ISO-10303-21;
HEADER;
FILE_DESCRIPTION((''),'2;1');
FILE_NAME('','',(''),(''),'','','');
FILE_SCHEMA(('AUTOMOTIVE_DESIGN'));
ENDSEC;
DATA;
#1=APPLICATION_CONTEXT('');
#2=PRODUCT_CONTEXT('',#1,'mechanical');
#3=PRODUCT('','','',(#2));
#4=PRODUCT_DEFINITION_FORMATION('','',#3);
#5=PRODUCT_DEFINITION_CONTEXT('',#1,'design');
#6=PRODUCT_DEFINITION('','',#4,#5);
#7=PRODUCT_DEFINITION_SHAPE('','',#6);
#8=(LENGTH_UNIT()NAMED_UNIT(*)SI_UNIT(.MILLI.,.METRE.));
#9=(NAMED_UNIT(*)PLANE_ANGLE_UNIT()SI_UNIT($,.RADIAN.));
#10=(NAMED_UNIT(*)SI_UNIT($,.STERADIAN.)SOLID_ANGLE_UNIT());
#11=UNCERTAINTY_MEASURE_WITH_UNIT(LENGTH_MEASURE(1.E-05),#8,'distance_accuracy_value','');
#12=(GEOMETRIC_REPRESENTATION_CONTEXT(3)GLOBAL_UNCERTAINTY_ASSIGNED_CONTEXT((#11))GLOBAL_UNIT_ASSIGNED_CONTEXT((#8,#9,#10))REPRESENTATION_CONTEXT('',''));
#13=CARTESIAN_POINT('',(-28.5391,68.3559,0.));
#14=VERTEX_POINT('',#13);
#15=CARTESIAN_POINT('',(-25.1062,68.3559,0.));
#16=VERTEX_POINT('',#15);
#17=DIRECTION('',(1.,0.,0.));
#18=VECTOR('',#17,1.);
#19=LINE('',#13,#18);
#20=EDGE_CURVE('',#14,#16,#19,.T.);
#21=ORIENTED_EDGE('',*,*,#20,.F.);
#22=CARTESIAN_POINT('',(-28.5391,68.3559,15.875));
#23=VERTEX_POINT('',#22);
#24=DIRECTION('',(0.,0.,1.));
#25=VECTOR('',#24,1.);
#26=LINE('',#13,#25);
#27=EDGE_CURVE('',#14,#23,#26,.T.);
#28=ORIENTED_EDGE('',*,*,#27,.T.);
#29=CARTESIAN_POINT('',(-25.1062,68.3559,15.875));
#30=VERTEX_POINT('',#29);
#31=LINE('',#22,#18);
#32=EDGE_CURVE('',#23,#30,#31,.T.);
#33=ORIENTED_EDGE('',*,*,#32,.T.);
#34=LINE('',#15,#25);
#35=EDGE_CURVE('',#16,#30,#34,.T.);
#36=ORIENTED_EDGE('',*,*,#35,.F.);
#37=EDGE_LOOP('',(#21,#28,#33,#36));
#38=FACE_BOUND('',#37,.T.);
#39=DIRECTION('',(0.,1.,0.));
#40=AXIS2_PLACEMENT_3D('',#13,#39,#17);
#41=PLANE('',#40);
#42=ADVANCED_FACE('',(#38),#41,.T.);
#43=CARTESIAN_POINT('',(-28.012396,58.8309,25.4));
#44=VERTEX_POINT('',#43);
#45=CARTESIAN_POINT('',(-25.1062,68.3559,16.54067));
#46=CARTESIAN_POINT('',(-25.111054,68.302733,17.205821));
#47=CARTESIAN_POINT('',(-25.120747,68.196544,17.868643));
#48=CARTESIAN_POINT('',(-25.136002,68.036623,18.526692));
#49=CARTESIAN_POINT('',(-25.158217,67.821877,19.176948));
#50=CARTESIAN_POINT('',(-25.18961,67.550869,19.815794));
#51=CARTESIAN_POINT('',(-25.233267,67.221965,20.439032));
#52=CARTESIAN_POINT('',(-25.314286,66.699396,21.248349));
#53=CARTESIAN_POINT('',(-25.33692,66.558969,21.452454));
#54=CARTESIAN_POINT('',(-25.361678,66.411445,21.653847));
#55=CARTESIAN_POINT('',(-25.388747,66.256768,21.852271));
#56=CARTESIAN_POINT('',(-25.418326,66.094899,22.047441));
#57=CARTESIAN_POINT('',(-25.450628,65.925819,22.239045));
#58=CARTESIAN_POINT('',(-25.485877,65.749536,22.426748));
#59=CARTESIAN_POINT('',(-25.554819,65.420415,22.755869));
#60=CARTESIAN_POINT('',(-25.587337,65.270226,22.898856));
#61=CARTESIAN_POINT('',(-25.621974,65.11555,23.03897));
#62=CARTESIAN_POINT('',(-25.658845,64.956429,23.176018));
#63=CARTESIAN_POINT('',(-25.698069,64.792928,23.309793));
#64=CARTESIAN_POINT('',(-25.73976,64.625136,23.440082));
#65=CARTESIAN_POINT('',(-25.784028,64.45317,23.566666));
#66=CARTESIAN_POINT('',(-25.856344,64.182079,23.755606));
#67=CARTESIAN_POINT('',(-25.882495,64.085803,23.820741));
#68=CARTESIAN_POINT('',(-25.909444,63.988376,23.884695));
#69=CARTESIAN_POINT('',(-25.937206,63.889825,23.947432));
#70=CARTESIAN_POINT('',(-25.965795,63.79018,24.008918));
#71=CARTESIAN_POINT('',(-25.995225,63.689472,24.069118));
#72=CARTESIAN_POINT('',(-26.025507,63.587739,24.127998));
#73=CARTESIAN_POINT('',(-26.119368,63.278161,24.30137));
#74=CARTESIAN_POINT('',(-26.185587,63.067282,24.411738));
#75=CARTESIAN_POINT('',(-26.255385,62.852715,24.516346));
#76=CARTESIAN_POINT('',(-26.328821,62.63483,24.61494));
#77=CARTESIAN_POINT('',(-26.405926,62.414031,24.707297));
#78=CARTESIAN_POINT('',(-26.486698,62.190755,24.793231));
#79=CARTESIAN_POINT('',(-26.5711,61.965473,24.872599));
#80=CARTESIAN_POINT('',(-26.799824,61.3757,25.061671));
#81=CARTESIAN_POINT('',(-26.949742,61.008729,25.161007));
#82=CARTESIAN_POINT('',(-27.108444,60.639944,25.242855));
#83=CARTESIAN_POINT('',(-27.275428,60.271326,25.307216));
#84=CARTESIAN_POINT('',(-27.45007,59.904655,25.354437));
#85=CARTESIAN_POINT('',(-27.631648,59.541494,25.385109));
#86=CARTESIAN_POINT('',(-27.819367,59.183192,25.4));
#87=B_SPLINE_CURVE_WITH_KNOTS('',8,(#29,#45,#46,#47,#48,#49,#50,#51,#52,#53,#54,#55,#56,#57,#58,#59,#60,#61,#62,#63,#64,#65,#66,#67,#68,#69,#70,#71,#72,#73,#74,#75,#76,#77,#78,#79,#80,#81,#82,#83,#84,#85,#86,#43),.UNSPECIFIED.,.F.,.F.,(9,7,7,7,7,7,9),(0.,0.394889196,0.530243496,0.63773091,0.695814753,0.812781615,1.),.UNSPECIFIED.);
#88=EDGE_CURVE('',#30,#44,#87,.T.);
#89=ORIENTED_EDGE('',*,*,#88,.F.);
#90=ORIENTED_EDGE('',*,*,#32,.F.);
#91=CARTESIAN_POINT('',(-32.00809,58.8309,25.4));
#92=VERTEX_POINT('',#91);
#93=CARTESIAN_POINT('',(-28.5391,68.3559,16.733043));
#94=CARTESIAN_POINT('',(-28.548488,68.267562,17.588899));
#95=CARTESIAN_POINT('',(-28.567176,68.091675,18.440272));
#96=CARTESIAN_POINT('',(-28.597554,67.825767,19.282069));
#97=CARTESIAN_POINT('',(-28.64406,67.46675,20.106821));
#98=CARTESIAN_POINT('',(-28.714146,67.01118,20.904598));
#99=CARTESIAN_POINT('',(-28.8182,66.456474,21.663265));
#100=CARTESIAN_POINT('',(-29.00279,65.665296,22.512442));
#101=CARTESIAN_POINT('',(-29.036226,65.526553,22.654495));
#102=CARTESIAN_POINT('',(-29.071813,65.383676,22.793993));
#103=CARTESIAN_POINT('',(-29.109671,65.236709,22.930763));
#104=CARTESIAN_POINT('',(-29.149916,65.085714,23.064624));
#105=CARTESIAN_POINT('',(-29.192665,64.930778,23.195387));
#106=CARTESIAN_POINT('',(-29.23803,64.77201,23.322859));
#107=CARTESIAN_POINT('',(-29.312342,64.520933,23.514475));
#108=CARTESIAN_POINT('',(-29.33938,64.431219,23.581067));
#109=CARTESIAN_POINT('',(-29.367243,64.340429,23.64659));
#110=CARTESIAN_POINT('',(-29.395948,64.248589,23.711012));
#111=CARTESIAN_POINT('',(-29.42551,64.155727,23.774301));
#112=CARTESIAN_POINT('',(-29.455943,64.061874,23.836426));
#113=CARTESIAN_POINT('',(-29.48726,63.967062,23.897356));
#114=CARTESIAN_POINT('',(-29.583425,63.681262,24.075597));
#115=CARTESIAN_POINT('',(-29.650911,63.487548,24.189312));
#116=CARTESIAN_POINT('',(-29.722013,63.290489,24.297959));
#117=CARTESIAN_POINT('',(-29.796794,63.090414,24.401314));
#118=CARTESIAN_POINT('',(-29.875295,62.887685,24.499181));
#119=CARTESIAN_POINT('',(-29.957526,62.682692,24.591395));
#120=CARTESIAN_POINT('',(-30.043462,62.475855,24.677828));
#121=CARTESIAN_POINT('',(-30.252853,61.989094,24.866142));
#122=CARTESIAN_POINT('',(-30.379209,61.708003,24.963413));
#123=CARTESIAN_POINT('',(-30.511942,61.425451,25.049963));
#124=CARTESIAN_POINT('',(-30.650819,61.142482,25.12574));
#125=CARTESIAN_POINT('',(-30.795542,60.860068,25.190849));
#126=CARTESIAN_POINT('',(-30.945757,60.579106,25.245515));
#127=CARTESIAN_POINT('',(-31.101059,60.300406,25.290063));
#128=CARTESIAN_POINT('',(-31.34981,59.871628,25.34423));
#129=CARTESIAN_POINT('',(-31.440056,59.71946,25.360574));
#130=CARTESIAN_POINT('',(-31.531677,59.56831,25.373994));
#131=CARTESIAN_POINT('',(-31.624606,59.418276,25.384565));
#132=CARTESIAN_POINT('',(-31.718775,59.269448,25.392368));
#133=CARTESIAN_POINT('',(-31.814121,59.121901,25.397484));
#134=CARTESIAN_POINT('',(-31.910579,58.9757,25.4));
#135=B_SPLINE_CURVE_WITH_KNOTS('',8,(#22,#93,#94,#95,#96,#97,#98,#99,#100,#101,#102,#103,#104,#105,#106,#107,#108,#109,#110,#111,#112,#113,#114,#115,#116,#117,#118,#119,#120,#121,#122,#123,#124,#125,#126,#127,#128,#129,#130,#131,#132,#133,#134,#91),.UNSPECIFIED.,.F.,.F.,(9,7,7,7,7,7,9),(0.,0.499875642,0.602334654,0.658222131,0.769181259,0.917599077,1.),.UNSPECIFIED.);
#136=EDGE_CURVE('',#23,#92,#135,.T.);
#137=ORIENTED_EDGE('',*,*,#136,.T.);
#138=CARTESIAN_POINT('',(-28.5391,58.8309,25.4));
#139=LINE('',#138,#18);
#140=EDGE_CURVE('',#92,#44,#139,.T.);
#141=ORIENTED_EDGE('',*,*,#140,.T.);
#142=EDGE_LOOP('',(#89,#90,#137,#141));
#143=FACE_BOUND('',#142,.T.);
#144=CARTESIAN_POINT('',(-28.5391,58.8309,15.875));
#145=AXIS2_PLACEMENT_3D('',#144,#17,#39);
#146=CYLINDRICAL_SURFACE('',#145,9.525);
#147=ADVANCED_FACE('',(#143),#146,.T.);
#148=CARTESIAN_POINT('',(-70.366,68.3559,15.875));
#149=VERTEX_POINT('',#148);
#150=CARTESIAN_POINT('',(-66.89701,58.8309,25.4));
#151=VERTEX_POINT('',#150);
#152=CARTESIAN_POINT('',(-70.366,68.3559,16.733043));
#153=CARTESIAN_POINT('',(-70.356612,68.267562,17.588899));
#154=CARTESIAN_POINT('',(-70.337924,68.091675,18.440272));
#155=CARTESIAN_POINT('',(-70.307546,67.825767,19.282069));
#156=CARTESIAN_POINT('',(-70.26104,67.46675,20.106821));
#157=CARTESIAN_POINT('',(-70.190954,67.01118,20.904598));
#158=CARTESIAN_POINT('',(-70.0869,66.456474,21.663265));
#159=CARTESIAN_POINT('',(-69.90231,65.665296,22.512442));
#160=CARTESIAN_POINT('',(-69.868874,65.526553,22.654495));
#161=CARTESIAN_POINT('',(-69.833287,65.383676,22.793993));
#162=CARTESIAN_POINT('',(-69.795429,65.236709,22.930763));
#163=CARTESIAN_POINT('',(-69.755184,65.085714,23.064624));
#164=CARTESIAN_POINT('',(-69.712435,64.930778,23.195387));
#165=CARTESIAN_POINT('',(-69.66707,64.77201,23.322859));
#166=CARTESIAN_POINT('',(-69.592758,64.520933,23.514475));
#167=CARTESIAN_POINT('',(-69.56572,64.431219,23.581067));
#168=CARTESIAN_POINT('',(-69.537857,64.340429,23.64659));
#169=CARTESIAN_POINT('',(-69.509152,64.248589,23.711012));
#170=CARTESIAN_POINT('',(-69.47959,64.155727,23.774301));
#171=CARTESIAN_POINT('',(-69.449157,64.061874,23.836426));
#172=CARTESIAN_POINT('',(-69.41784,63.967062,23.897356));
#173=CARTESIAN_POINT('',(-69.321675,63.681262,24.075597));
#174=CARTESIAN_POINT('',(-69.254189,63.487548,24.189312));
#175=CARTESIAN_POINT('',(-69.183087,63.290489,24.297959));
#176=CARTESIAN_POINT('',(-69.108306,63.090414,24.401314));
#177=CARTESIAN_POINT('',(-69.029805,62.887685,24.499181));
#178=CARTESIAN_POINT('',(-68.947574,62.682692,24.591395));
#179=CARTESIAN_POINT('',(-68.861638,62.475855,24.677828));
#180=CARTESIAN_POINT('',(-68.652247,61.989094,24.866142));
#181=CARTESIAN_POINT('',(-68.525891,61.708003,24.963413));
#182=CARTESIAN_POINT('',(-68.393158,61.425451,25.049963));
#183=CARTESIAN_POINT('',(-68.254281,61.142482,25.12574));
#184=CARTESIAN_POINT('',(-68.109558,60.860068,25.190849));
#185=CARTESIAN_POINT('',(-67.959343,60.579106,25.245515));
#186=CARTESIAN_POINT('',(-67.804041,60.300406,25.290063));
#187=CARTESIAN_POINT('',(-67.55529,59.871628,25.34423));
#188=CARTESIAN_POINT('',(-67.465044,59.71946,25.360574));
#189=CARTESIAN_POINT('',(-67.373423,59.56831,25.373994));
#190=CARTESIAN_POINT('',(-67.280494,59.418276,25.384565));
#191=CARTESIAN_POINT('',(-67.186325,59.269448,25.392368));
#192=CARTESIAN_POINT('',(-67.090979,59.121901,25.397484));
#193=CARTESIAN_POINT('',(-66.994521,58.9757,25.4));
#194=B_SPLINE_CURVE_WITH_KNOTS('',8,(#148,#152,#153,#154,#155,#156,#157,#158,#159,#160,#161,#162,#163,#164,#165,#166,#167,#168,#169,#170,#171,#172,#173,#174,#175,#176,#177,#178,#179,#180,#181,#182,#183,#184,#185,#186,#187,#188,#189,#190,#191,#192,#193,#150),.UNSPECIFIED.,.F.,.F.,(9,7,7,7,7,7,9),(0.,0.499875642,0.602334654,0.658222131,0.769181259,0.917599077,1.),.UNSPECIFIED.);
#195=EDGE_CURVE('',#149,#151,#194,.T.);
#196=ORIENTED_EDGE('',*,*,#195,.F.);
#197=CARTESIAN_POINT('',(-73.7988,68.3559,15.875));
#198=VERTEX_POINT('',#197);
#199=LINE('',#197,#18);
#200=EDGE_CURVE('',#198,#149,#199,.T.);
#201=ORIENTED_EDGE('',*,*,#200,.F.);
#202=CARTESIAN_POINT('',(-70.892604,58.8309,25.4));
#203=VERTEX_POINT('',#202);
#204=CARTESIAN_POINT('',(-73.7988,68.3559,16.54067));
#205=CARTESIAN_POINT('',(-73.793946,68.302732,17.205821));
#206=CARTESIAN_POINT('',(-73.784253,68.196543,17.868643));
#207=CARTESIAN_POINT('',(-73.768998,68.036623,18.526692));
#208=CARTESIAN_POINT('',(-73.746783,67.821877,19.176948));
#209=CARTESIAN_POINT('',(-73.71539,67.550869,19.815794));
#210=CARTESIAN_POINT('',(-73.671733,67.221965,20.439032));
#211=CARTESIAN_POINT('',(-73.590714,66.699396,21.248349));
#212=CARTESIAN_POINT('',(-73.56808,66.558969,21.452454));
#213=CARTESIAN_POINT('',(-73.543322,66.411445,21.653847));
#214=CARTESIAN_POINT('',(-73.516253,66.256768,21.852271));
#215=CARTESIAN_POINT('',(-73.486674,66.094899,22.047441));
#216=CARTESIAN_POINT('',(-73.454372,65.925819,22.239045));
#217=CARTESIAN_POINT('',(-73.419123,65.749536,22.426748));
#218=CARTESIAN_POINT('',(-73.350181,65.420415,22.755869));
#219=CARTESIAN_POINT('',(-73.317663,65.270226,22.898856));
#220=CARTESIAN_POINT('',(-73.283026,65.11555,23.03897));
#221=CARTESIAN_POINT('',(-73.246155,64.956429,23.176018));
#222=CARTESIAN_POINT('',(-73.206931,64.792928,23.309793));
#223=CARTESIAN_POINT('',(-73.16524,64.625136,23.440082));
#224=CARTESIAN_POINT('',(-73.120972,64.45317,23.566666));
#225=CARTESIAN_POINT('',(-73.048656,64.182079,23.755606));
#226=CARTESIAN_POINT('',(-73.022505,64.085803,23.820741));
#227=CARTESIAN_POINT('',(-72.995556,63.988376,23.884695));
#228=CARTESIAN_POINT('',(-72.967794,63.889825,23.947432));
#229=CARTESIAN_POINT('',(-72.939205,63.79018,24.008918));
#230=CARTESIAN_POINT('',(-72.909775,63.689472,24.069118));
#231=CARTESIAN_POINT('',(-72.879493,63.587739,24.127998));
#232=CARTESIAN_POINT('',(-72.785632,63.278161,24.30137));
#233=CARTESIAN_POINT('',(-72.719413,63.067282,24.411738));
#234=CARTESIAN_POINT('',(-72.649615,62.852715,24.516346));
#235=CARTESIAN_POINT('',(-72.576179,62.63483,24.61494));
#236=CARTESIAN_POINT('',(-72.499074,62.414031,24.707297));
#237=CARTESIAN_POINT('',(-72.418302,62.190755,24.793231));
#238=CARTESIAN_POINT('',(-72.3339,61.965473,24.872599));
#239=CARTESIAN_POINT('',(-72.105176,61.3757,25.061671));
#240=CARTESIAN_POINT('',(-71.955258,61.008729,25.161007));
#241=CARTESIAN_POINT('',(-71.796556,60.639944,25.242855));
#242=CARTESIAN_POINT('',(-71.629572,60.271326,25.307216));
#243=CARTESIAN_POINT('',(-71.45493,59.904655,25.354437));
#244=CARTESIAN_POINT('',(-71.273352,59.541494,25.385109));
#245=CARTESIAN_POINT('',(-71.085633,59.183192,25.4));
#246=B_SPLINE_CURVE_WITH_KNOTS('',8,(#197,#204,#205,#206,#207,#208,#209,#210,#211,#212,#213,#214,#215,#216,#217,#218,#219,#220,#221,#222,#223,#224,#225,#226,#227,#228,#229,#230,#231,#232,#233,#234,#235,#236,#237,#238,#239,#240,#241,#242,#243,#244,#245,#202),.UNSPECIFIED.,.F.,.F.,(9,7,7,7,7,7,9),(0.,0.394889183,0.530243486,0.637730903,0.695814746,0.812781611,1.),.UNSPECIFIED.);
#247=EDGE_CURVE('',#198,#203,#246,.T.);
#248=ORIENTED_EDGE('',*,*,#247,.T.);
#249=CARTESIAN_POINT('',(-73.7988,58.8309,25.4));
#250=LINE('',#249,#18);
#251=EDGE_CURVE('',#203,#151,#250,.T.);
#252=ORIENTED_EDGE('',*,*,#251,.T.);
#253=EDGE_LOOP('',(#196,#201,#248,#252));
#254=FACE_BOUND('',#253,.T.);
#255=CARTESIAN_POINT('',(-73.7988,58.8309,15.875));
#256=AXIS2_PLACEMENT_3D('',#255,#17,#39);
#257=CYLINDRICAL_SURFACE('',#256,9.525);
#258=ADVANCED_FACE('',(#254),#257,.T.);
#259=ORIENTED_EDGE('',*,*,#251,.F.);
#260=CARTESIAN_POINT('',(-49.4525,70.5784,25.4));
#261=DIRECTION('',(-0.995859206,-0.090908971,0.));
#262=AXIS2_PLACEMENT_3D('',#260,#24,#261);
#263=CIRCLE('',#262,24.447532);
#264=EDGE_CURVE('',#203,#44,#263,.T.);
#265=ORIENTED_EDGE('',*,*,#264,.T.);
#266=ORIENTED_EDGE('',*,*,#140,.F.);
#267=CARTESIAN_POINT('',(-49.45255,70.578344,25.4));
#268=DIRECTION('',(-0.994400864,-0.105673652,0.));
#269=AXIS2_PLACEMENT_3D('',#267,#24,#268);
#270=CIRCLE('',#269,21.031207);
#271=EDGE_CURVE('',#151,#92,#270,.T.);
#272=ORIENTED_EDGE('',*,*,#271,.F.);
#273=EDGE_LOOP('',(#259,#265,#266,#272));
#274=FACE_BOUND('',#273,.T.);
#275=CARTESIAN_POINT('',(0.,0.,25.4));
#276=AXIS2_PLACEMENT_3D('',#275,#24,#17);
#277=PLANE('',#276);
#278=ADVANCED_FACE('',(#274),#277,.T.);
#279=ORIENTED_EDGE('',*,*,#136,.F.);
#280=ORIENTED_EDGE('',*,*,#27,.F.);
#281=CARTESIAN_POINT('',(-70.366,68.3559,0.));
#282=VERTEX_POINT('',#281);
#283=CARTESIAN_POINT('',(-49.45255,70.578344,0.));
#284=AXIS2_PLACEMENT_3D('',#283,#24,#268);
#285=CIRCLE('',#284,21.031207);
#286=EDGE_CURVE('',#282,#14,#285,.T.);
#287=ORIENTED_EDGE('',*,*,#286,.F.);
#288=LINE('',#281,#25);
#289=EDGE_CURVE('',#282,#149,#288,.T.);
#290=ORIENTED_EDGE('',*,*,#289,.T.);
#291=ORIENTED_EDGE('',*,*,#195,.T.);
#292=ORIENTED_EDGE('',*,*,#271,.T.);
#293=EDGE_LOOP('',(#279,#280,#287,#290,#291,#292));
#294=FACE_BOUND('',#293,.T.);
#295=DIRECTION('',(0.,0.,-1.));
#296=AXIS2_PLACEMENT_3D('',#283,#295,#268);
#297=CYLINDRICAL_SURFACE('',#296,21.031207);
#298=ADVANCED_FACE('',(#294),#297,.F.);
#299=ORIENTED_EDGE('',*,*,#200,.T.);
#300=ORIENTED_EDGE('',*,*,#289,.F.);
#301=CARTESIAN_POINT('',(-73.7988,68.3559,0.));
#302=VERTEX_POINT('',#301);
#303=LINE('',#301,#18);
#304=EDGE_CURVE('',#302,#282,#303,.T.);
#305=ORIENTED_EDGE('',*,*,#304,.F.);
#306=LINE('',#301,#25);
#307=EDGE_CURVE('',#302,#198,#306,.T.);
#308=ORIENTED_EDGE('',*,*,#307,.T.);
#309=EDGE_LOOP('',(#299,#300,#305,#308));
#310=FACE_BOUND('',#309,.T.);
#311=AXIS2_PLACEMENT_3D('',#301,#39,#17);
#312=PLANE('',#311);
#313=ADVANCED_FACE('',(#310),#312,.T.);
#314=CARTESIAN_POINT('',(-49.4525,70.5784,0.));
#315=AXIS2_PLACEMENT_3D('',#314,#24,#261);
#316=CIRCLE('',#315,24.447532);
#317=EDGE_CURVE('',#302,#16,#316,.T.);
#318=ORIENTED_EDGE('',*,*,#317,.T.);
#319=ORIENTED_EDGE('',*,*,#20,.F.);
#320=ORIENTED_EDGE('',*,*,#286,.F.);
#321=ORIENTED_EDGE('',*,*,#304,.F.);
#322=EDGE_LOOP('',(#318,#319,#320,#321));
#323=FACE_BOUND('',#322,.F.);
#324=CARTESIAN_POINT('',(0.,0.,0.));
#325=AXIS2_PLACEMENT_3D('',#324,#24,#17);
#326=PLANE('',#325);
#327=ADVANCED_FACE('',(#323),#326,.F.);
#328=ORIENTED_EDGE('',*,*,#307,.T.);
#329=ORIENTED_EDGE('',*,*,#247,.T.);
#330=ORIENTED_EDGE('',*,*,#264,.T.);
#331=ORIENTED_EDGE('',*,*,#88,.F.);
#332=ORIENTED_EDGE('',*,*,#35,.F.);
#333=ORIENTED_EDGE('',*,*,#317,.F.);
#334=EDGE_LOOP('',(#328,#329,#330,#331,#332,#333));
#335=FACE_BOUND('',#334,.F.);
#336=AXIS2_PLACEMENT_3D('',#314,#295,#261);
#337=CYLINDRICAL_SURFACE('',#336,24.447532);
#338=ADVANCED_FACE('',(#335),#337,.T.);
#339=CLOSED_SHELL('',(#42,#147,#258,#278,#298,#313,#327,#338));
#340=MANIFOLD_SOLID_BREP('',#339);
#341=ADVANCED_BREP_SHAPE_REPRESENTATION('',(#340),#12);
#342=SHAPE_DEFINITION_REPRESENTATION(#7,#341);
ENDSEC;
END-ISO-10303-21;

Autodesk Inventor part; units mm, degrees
ref_plane "YZ Plane" through (0, 0, 0) normal (1, 0, 0) x (0, 1, 0)
ref_plane "XZ Plane" through (0, 0, 0) normal (0, 1, 0) x (-1, 0, 0)
ref_plane "XY Plane" through (0, 0, 0) normal (0, 0, 1) x (1, 0, 0)
sketch "Sketch1" plane through (0, 0, 0) normal (0, 0, 1) x (1, 0, 0)
  arc A0 (-73.7988, 68.3559) -> (-25.1062, 68.3559) centre (-49.4525, 70.5784) ccw
  arc A1 (-70.366, 68.3559) -> (-28.5391, 68.3559) centre (-49.4525, 70.5784) ccw
  line L0 (-73.7988, 68.3559) -> (-70.366, 68.3559)
  line L1 (-28.5391, 68.3559) -> (-25.1062, 68.3559)
  dimension "d0" = 22.225
  dimension "d1" = 21.0312
  dimension "d2" = 24.4475
extrude "Extrusion1" add sketch "Sketch1" along normal blind 25.4
fillet "Fillet1" radius 9.525 2 edges at (-72.0824, 68.3559, 25.4) (-26.8227, 68.3559, 25.4)
properties part number "FE-00006-08"
